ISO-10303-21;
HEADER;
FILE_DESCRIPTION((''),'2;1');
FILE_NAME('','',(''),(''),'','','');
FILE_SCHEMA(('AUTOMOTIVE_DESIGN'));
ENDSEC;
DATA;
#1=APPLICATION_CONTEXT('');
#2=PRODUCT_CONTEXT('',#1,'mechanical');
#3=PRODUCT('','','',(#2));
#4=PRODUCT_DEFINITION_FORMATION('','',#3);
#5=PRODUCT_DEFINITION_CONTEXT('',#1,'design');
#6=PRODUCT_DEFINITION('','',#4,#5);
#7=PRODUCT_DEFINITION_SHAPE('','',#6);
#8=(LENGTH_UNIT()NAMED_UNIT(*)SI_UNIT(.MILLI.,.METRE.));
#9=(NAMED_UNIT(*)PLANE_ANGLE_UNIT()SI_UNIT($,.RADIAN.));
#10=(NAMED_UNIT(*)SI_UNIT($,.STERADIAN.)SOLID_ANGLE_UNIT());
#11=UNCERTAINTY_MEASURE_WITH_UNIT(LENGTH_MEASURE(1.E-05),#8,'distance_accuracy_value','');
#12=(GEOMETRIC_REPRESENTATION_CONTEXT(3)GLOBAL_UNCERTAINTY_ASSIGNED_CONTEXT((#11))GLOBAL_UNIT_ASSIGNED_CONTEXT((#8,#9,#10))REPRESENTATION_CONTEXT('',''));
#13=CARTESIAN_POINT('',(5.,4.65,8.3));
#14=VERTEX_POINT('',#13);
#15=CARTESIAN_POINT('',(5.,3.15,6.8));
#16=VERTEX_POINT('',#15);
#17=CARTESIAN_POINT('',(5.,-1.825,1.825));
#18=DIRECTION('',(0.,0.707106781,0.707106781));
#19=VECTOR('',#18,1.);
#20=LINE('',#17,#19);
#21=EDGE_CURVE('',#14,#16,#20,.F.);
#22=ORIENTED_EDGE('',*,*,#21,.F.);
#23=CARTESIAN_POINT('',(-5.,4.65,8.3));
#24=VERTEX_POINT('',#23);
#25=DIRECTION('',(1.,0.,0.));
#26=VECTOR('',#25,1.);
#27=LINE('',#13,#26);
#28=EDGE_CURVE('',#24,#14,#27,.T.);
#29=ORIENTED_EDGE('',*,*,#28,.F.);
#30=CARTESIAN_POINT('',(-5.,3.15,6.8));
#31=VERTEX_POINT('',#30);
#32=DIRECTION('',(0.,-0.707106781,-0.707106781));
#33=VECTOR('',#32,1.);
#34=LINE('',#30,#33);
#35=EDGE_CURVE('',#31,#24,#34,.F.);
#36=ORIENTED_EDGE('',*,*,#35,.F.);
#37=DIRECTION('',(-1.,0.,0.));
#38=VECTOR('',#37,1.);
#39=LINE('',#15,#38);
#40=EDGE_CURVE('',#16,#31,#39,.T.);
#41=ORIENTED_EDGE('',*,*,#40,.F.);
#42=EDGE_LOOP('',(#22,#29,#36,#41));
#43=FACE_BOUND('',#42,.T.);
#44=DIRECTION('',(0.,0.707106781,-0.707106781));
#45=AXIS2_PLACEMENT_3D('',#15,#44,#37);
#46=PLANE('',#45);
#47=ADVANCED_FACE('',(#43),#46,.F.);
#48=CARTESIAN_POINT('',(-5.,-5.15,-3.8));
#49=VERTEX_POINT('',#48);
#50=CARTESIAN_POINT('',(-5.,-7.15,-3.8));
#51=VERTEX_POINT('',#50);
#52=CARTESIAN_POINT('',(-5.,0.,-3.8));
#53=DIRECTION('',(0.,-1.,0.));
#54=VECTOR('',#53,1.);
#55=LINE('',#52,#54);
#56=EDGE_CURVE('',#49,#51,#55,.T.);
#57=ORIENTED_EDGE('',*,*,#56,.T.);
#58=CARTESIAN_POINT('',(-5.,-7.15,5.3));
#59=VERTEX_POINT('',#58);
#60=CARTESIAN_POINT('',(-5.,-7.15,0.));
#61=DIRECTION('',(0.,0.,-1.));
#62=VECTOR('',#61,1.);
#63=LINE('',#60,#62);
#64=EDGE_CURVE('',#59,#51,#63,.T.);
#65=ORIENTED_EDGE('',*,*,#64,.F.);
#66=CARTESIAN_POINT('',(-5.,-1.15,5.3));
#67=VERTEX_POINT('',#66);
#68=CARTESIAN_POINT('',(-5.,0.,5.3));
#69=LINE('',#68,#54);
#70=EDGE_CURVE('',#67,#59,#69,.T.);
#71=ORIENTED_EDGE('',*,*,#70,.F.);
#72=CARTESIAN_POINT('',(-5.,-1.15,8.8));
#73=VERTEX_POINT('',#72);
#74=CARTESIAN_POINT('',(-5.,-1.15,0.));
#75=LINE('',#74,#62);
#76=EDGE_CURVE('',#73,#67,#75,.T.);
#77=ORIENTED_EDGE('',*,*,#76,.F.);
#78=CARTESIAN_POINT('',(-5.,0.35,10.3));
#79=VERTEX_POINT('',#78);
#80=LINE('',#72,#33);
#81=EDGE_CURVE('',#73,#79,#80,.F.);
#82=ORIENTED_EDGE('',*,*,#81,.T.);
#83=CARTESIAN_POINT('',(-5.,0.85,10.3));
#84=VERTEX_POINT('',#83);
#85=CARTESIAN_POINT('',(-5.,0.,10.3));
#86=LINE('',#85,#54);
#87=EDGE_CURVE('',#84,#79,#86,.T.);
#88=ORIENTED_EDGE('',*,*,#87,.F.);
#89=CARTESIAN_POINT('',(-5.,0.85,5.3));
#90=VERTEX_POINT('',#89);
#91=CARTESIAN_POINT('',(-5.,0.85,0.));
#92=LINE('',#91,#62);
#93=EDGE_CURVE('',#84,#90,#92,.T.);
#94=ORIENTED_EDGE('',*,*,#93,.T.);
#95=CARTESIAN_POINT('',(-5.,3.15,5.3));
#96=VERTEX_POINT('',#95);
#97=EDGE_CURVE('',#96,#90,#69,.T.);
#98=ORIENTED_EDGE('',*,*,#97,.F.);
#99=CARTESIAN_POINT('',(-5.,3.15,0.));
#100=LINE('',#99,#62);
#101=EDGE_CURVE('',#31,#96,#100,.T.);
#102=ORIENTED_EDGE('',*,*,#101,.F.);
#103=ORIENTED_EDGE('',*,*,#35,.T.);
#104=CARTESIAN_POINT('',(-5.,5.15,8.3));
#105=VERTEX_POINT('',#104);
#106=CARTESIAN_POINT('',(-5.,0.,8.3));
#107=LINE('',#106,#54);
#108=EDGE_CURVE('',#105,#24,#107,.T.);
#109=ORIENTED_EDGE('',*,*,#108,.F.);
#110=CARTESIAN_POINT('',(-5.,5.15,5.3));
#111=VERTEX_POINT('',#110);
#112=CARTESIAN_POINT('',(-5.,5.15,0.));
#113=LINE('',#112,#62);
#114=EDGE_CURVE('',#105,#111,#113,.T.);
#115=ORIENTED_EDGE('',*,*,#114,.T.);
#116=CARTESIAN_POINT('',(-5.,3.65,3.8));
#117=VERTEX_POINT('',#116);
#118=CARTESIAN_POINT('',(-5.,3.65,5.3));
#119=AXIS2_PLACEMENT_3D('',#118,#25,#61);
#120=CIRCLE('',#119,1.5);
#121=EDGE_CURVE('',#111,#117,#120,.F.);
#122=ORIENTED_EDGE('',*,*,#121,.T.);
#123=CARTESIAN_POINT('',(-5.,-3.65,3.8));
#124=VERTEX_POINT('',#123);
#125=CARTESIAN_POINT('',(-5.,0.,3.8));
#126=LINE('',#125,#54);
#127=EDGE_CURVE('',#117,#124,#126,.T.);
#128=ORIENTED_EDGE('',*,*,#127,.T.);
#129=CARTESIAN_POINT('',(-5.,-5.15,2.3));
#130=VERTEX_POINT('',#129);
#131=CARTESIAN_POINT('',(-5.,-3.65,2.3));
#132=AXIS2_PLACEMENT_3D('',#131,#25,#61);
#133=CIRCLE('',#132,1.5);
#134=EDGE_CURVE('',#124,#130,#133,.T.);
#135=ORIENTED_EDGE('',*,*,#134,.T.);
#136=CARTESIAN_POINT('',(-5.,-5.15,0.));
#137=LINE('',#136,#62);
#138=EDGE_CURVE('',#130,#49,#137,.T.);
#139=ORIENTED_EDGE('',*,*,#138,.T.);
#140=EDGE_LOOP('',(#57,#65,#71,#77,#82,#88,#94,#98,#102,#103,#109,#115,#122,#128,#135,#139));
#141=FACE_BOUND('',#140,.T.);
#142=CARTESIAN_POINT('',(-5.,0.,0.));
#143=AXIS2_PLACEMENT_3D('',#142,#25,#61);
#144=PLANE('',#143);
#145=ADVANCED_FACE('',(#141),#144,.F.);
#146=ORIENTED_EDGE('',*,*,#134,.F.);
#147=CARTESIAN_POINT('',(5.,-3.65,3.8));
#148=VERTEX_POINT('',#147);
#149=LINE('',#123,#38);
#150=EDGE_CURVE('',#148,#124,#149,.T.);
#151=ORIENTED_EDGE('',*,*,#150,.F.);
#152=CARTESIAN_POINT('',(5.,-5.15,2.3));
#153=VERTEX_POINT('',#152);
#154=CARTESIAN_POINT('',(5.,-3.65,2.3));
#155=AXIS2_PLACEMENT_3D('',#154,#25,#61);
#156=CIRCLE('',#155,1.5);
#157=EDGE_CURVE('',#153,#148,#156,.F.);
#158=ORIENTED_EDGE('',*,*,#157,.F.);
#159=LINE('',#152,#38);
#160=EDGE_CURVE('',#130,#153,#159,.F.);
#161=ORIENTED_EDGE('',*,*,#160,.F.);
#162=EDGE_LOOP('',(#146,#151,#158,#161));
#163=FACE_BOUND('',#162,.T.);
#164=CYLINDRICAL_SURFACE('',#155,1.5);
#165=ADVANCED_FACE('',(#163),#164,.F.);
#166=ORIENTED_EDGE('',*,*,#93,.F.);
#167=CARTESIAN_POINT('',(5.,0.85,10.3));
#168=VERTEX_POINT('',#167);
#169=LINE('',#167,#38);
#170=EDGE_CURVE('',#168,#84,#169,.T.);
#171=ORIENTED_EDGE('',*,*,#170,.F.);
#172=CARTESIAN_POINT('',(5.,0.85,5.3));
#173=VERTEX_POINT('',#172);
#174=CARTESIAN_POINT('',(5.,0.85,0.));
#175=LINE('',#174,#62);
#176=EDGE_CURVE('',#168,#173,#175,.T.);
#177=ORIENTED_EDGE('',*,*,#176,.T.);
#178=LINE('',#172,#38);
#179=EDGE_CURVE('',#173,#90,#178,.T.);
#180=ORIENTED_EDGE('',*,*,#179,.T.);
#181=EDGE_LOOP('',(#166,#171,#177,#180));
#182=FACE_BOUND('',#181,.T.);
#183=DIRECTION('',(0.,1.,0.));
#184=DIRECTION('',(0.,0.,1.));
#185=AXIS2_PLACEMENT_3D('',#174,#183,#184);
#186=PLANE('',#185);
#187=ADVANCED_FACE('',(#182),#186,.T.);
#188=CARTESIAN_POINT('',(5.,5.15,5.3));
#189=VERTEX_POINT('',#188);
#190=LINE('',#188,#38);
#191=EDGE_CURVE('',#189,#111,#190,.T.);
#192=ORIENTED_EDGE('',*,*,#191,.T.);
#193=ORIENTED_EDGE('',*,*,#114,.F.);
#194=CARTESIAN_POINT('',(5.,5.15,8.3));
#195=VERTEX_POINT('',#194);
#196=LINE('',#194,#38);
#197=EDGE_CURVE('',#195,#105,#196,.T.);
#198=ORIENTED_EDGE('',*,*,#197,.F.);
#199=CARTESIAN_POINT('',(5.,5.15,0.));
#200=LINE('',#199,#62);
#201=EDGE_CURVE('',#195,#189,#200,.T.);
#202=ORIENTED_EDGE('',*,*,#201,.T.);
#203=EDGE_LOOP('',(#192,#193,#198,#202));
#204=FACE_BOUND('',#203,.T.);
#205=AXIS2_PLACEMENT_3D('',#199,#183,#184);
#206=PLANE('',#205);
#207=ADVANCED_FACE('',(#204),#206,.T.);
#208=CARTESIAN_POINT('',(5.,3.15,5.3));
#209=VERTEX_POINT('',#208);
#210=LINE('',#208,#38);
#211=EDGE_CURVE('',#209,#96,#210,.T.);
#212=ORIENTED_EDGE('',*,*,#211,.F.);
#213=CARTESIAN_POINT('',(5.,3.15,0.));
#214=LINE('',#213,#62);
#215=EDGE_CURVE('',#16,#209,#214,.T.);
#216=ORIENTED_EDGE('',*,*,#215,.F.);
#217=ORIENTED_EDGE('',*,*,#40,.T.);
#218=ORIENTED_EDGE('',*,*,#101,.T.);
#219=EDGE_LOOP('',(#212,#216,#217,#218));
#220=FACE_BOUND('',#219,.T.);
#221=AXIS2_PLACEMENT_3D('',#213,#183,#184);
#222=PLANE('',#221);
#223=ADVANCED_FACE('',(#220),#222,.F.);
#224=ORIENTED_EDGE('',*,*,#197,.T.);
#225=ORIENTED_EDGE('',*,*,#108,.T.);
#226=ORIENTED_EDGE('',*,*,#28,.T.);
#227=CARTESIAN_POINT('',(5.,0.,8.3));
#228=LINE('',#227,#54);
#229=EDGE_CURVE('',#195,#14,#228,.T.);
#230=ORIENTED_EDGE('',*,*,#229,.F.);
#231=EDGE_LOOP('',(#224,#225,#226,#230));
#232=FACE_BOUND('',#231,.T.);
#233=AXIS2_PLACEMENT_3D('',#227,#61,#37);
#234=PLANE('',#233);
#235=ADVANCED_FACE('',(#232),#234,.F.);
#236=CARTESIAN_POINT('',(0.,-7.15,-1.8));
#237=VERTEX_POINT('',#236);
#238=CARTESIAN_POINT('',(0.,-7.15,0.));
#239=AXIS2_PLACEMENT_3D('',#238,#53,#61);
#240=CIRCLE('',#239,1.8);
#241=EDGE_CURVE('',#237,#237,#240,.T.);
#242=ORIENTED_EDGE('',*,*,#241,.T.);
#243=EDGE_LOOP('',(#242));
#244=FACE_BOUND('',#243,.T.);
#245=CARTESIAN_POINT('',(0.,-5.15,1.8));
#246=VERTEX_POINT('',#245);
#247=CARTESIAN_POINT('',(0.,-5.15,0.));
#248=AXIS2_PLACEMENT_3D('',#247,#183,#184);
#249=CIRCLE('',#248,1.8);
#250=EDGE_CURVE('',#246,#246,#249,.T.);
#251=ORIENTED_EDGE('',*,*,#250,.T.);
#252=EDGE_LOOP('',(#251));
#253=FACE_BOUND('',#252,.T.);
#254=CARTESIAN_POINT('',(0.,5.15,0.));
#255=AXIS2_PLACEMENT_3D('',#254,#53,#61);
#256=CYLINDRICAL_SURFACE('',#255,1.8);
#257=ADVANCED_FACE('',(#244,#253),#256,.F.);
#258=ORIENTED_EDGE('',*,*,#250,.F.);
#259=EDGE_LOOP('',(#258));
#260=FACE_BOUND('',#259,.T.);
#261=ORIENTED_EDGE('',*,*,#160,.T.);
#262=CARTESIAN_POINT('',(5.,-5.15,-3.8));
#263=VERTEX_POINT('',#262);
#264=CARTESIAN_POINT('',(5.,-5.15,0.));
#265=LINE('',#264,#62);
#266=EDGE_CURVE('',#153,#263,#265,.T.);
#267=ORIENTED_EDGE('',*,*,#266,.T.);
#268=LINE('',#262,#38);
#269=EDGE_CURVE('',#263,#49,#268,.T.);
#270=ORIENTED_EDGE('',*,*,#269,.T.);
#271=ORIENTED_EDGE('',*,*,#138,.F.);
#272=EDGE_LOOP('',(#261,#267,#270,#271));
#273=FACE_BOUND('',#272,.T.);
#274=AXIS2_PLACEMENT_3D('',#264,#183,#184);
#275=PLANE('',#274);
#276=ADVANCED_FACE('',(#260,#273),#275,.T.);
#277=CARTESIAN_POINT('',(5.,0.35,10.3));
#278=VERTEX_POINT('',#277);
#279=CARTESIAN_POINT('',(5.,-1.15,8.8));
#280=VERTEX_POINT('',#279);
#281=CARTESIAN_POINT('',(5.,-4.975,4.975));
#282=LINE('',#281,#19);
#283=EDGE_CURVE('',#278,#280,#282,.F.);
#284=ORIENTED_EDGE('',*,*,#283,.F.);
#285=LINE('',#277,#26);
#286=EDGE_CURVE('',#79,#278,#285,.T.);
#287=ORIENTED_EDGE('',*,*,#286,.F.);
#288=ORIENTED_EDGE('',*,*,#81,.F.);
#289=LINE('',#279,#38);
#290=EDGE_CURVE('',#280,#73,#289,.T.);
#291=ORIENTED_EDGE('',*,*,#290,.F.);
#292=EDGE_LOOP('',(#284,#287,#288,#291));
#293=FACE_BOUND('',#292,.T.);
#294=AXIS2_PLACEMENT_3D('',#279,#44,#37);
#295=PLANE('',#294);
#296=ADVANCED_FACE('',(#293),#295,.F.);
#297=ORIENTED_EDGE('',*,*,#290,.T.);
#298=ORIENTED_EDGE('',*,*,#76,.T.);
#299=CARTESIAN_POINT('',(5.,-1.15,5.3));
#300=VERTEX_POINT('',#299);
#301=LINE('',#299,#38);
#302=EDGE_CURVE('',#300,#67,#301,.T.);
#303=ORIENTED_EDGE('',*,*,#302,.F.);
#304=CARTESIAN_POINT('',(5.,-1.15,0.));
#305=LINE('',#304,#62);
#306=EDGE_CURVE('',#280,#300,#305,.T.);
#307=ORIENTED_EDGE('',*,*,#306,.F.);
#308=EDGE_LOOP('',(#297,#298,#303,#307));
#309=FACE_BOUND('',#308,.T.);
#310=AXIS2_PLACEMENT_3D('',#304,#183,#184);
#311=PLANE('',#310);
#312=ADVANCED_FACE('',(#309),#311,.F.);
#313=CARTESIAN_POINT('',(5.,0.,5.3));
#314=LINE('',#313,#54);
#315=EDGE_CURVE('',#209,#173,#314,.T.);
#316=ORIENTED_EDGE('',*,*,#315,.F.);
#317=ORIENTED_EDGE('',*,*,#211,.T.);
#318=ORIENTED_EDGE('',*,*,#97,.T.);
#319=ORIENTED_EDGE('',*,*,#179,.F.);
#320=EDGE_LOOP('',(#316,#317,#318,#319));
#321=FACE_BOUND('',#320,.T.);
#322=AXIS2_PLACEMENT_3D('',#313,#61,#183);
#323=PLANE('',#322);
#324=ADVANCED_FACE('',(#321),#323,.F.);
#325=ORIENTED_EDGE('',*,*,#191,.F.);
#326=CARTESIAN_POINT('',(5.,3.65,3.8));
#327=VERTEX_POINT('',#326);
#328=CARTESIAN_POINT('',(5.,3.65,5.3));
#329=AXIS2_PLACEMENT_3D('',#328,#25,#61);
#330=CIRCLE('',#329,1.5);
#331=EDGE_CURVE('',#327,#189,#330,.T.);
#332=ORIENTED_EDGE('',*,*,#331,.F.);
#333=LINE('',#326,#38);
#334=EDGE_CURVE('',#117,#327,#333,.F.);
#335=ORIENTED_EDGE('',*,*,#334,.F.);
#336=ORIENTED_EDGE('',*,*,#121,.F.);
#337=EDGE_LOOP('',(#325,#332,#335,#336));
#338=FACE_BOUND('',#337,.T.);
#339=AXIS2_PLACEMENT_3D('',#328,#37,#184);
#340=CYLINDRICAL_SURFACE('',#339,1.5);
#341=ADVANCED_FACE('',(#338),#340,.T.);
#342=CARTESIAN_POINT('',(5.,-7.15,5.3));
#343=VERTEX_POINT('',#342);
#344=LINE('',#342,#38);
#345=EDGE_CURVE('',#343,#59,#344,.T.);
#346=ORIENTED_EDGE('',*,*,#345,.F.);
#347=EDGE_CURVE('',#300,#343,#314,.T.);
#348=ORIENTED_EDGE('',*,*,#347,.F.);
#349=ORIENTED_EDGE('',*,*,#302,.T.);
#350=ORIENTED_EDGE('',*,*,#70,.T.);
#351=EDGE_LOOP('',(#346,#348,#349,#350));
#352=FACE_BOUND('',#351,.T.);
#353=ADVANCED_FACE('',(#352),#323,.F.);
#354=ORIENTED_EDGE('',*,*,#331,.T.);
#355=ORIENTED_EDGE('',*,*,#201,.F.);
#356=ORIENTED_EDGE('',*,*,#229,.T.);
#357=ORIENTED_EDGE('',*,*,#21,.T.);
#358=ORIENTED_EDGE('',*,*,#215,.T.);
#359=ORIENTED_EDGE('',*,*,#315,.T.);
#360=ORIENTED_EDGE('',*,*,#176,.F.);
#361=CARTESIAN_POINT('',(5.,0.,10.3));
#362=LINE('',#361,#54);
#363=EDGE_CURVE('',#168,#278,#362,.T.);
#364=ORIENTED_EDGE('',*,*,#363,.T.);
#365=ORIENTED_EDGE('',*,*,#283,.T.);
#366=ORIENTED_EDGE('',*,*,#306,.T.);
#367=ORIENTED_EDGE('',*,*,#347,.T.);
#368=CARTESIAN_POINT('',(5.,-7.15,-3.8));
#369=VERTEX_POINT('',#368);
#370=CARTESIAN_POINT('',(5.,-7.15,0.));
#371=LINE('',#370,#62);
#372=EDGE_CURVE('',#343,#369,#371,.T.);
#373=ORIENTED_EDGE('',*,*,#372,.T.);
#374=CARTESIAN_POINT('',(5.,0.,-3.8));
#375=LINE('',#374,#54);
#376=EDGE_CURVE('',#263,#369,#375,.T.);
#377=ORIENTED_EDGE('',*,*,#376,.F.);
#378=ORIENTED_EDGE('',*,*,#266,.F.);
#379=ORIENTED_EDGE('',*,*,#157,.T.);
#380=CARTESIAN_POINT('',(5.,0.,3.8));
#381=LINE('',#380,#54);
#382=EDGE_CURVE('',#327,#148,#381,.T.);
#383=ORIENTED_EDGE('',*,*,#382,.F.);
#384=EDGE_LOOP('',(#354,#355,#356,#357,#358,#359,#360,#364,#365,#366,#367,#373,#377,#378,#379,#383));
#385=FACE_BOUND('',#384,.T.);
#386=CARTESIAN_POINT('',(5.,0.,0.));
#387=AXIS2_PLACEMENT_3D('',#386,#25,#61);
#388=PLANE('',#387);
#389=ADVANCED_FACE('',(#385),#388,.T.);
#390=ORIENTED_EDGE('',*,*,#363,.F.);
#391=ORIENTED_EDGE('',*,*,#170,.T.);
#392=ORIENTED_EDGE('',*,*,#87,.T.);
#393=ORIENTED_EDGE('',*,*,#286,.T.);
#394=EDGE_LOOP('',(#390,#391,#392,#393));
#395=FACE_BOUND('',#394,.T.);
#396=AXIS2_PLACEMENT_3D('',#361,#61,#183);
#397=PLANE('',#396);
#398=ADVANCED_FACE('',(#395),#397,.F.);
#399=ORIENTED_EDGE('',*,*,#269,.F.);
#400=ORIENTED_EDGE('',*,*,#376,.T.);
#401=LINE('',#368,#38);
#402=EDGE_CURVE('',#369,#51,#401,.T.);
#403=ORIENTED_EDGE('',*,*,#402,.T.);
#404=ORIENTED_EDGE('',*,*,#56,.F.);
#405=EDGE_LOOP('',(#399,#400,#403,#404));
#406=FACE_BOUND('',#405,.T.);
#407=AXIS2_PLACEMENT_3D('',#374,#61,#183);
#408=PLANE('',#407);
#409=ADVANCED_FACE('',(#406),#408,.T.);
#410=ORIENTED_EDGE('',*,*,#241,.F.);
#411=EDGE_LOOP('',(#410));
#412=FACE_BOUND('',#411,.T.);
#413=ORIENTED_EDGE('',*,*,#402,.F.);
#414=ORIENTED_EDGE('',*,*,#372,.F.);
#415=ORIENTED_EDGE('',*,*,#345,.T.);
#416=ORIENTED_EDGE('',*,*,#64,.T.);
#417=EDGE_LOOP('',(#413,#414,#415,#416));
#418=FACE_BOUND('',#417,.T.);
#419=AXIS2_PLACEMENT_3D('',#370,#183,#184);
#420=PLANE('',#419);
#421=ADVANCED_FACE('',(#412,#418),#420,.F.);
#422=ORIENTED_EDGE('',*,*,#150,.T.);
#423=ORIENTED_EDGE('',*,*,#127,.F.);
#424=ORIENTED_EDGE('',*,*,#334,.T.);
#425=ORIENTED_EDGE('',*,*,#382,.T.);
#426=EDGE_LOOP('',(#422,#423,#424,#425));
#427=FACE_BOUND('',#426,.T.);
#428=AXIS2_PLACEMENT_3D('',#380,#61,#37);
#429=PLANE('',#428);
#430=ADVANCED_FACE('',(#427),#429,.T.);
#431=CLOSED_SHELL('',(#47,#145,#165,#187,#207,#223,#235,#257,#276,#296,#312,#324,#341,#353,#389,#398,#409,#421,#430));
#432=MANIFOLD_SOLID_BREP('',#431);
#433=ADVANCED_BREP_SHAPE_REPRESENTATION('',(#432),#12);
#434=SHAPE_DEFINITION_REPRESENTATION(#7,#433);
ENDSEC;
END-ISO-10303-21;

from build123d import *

# Parameters (mm, degrees)
BOSS_EXTRUDE1_DEPTH     = 5
SKETCH2_R               = 1.8
CUT_EXTRUDE1_DEPTH      = 8.15
CUT_EXTRUDE1_DEPTH_BACK = 6.15
CHAMFER2_SIZE           = 1.5
FILLET1_R               = 1.5


with BuildPart() as part:
    # Sketch1 → Boss-Extrude1 (new body, symmetric)
    with BuildSketch(Plane(origin=(0, 0, 0), x_dir=(0, 0, -1), z_dir=(1, 0, 0))):
        Polygon((-8.3, 5.15), (-3.8, 5.15), (-3.8, -5.15), (3.8, -5.15), (3.8, -7.15), (-5.3, -7.15), (-5.3, -1.15), (-10.3, -1.15), (-10.3, 0.85), (-5.3, 0.85), (-5.3, 3.15), (-8.3, 3.15), align=None)
    extrude(amount=BOSS_EXTRUDE1_DEPTH, both=True)

    # Sketch2 → Cut-Extrude1 (cut, two sides)
    with BuildSketch(Plane(origin=(0, 0, 5.3), x_dir=(1, 0, 0), z_dir=(0, -1, 0))) as cut_extrude1_sk:
        with Locations((0, -5.3)):
            Circle(SKETCH2_R)
    extrude(amount=CUT_EXTRUDE1_DEPTH, mode=Mode.SUBTRACT)
    extrude(cut_extrude1_sk.sketch, amount=-CUT_EXTRUDE1_DEPTH_BACK, mode=Mode.SUBTRACT)

    # Chamfer2
    chamfer2_edges = [part.edges().sort_by_distance(p)[0] for p in [
        (0, -1.15, 10.3),
        (0, 3.15, 8.3),
    ]]
    chamfer(chamfer2_edges, length=CHAMFER2_SIZE)

    # Fillet1
    fillet1_edges = [part.edges().sort_by_distance(p)[0] for p in [
        (0, 5.15, 3.8),
        (0, -5.15, 3.8),
    ]]
    fillet(fillet1_edges, radius=FILLET1_R)


solid = part.part
